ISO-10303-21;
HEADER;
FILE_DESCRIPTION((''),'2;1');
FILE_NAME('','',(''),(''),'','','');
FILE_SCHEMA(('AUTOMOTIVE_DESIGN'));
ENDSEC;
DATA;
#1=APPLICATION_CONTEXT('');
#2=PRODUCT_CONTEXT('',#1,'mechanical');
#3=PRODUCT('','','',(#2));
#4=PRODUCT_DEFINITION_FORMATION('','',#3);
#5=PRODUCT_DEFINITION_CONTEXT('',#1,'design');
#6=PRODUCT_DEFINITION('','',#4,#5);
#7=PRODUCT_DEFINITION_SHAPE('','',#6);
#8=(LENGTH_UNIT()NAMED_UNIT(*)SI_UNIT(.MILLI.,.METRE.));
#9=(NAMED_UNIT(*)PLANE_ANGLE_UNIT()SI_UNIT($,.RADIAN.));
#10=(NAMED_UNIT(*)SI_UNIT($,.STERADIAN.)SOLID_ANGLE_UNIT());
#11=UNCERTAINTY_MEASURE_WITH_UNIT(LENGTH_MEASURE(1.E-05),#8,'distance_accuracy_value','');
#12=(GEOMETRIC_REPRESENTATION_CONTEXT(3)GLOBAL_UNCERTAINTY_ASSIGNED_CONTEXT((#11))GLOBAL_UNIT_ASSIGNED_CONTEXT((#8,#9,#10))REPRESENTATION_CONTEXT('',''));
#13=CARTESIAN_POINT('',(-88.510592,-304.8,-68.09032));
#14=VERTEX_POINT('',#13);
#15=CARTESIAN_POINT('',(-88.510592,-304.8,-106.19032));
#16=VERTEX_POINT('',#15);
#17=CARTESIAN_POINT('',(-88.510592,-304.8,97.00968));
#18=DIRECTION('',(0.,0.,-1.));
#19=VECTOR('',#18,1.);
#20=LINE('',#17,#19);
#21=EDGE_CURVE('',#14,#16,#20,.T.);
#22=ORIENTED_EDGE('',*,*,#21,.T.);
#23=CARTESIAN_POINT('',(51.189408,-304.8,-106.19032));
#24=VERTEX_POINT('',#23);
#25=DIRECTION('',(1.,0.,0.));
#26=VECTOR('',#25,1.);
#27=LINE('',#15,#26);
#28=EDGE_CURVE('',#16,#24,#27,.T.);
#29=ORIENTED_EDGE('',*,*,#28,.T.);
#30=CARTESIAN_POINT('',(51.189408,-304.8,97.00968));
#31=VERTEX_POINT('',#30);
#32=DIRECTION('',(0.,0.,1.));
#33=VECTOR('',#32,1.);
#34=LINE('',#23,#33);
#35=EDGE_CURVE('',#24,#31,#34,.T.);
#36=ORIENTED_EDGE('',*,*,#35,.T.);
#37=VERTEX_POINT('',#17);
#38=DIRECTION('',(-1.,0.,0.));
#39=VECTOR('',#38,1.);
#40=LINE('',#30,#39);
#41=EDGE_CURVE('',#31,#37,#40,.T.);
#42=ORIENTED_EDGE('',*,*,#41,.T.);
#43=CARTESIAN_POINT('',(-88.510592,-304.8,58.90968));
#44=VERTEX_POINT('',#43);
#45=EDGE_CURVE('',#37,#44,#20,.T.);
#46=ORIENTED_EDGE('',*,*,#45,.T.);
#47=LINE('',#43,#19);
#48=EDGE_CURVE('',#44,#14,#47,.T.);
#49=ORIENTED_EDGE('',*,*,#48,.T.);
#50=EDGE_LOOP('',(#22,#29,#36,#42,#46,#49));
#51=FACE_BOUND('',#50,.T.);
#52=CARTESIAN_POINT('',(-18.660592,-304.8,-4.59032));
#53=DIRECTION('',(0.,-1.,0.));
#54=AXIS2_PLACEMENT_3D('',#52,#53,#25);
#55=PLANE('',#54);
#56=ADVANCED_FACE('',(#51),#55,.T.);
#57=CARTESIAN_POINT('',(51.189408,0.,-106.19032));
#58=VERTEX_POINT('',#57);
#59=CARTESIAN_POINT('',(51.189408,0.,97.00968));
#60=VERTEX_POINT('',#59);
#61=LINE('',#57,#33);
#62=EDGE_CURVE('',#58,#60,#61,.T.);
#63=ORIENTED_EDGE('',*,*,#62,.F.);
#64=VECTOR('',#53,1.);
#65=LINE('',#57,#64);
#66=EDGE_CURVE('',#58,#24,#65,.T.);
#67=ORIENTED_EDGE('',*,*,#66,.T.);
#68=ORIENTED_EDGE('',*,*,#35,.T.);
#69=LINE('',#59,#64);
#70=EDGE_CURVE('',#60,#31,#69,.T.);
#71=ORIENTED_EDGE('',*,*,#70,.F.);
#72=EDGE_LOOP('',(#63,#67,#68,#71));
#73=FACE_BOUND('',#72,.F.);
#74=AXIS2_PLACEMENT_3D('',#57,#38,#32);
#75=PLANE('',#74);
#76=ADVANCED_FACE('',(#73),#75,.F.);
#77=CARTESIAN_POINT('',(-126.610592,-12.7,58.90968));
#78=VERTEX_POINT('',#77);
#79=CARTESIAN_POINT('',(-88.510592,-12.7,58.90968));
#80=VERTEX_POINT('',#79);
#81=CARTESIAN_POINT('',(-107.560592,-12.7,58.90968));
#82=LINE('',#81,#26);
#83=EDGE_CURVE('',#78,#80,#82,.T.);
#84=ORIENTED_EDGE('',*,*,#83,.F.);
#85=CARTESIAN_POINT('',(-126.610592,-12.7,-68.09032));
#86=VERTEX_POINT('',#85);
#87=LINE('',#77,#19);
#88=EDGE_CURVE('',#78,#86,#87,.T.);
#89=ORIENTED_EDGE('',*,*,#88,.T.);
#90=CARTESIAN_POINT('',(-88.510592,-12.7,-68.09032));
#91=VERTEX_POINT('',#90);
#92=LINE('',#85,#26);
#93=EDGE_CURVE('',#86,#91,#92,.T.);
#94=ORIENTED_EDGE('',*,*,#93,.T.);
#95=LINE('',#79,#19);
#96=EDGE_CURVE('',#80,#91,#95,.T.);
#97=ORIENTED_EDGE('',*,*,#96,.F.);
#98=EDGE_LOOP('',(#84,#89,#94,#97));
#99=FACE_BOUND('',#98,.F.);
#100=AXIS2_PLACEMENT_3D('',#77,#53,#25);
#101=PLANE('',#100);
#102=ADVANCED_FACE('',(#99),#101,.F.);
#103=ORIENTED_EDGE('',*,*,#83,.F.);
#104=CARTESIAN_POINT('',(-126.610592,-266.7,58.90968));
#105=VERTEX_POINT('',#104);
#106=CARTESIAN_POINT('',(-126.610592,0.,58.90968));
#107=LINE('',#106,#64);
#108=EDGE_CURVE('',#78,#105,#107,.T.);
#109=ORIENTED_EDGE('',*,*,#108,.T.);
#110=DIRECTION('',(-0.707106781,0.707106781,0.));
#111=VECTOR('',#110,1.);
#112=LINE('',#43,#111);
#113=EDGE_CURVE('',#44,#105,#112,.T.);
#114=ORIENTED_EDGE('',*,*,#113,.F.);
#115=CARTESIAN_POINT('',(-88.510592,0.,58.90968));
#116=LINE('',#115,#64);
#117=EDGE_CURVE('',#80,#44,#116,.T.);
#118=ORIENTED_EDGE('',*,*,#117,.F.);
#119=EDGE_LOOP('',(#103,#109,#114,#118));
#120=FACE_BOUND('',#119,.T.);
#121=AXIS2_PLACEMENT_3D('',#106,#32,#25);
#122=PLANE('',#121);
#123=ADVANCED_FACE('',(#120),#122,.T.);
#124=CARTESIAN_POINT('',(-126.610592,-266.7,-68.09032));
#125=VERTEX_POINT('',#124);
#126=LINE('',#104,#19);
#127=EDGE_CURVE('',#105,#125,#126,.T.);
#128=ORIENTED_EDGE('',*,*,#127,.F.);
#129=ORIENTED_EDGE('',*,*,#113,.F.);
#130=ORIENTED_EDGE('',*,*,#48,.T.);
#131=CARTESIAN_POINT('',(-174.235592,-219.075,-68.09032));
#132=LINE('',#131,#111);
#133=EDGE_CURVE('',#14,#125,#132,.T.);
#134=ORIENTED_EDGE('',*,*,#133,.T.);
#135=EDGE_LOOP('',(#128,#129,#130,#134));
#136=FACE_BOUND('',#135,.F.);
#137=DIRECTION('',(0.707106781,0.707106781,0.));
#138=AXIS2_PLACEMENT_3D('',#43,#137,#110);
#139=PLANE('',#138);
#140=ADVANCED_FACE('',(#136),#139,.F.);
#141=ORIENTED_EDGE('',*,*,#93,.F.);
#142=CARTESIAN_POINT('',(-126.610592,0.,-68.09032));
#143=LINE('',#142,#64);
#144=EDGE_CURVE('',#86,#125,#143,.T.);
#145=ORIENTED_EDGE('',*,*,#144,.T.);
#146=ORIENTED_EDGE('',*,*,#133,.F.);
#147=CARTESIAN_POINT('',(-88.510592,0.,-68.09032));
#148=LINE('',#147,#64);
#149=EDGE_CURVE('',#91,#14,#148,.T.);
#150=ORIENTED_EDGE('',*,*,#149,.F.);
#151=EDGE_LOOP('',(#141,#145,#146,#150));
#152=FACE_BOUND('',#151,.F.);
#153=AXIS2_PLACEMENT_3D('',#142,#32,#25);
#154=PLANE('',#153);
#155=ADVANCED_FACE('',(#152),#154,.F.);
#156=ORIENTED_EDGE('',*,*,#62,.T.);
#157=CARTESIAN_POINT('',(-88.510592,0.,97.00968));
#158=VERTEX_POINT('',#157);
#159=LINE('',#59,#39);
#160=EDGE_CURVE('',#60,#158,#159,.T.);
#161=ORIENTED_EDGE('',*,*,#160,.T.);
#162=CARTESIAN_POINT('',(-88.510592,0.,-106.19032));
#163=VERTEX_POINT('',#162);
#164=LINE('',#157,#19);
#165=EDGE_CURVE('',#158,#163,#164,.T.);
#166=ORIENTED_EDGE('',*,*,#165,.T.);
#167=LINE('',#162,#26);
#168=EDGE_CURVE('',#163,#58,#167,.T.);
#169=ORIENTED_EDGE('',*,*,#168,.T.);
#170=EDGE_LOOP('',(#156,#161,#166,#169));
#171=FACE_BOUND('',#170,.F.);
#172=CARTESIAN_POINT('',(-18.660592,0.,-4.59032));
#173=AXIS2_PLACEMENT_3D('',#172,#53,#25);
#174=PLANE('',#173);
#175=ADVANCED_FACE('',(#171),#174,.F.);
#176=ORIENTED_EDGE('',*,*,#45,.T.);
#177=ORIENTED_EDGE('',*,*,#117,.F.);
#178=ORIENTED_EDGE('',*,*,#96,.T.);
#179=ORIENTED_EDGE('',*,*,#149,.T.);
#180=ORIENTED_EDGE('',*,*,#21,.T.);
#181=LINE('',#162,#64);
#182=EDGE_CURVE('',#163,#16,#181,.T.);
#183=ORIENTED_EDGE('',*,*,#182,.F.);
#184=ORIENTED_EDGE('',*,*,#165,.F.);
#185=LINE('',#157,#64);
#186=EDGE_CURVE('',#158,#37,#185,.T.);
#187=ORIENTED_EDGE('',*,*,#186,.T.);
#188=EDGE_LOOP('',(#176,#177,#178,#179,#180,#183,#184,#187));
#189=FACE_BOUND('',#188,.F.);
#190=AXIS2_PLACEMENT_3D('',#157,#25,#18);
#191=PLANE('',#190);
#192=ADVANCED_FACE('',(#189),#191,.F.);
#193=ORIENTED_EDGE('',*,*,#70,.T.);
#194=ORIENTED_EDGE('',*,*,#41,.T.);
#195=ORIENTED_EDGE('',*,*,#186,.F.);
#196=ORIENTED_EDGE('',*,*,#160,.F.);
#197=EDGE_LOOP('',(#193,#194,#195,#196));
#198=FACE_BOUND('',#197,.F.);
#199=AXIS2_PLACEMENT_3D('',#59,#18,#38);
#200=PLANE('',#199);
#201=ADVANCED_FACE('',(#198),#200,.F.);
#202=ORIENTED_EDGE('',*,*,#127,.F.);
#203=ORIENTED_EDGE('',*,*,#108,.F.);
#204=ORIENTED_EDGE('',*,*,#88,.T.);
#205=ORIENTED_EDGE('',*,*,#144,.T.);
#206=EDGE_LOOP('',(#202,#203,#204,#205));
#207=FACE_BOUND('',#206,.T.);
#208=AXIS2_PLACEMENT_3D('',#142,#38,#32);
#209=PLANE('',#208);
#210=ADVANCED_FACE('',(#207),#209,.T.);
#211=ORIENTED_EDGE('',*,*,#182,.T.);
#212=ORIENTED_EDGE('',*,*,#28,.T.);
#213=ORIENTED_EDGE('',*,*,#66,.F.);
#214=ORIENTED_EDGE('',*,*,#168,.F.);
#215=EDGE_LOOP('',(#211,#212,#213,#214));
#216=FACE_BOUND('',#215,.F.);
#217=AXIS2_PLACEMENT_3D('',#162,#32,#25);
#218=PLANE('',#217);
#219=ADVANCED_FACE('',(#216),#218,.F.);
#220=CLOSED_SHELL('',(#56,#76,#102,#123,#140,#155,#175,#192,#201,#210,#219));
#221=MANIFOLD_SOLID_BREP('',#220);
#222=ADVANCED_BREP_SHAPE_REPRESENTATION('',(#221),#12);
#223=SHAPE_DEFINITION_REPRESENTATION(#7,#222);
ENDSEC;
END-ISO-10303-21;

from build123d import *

# Parameters (mm, degrees)
F1_DEPTH = 304.8
F0_W     = 38.1
F0_H     = 127
F2_DEPTH = 304.8
F3_W     = 38.1
F3_H     = 12.7
F4_DEPTH = 165.101


with BuildPart() as f1:
    # F0 (on Front) → F1 (new body)
    with BuildSketch(Plane.XZ):
        Polygon((51.189408, 97.00968), (-88.510592, 97.00968), (-88.510592, 58.90968), (-88.510592, -68.09032), (-88.510592, -106.19032), (51.189408, -106.19032), align=None)
    extrude(amount=F1_DEPTH)

    # F0 (on Front) → F2 (join)
    with BuildSketch(Plane.XZ):
        with Locations((-107.560592, -4.59032)):
            Rectangle(F0_W, F0_H)
    extrude(amount=F2_DEPTH)

    # F3 (on face) → F4 (cut, through all)
    with BuildSketch(Plane.XY.offset(58.90968)):
        with Locations((-107.560592, -6.35)):
            Rectangle(F3_W, F3_H)
        Polygon((-88.510592, -304.8), (-126.610592, -266.7), (-126.610592, -304.8), align=None)
    extrude(amount=-F4_DEPTH, mode=Mode.SUBTRACT)


solid = f1.part
